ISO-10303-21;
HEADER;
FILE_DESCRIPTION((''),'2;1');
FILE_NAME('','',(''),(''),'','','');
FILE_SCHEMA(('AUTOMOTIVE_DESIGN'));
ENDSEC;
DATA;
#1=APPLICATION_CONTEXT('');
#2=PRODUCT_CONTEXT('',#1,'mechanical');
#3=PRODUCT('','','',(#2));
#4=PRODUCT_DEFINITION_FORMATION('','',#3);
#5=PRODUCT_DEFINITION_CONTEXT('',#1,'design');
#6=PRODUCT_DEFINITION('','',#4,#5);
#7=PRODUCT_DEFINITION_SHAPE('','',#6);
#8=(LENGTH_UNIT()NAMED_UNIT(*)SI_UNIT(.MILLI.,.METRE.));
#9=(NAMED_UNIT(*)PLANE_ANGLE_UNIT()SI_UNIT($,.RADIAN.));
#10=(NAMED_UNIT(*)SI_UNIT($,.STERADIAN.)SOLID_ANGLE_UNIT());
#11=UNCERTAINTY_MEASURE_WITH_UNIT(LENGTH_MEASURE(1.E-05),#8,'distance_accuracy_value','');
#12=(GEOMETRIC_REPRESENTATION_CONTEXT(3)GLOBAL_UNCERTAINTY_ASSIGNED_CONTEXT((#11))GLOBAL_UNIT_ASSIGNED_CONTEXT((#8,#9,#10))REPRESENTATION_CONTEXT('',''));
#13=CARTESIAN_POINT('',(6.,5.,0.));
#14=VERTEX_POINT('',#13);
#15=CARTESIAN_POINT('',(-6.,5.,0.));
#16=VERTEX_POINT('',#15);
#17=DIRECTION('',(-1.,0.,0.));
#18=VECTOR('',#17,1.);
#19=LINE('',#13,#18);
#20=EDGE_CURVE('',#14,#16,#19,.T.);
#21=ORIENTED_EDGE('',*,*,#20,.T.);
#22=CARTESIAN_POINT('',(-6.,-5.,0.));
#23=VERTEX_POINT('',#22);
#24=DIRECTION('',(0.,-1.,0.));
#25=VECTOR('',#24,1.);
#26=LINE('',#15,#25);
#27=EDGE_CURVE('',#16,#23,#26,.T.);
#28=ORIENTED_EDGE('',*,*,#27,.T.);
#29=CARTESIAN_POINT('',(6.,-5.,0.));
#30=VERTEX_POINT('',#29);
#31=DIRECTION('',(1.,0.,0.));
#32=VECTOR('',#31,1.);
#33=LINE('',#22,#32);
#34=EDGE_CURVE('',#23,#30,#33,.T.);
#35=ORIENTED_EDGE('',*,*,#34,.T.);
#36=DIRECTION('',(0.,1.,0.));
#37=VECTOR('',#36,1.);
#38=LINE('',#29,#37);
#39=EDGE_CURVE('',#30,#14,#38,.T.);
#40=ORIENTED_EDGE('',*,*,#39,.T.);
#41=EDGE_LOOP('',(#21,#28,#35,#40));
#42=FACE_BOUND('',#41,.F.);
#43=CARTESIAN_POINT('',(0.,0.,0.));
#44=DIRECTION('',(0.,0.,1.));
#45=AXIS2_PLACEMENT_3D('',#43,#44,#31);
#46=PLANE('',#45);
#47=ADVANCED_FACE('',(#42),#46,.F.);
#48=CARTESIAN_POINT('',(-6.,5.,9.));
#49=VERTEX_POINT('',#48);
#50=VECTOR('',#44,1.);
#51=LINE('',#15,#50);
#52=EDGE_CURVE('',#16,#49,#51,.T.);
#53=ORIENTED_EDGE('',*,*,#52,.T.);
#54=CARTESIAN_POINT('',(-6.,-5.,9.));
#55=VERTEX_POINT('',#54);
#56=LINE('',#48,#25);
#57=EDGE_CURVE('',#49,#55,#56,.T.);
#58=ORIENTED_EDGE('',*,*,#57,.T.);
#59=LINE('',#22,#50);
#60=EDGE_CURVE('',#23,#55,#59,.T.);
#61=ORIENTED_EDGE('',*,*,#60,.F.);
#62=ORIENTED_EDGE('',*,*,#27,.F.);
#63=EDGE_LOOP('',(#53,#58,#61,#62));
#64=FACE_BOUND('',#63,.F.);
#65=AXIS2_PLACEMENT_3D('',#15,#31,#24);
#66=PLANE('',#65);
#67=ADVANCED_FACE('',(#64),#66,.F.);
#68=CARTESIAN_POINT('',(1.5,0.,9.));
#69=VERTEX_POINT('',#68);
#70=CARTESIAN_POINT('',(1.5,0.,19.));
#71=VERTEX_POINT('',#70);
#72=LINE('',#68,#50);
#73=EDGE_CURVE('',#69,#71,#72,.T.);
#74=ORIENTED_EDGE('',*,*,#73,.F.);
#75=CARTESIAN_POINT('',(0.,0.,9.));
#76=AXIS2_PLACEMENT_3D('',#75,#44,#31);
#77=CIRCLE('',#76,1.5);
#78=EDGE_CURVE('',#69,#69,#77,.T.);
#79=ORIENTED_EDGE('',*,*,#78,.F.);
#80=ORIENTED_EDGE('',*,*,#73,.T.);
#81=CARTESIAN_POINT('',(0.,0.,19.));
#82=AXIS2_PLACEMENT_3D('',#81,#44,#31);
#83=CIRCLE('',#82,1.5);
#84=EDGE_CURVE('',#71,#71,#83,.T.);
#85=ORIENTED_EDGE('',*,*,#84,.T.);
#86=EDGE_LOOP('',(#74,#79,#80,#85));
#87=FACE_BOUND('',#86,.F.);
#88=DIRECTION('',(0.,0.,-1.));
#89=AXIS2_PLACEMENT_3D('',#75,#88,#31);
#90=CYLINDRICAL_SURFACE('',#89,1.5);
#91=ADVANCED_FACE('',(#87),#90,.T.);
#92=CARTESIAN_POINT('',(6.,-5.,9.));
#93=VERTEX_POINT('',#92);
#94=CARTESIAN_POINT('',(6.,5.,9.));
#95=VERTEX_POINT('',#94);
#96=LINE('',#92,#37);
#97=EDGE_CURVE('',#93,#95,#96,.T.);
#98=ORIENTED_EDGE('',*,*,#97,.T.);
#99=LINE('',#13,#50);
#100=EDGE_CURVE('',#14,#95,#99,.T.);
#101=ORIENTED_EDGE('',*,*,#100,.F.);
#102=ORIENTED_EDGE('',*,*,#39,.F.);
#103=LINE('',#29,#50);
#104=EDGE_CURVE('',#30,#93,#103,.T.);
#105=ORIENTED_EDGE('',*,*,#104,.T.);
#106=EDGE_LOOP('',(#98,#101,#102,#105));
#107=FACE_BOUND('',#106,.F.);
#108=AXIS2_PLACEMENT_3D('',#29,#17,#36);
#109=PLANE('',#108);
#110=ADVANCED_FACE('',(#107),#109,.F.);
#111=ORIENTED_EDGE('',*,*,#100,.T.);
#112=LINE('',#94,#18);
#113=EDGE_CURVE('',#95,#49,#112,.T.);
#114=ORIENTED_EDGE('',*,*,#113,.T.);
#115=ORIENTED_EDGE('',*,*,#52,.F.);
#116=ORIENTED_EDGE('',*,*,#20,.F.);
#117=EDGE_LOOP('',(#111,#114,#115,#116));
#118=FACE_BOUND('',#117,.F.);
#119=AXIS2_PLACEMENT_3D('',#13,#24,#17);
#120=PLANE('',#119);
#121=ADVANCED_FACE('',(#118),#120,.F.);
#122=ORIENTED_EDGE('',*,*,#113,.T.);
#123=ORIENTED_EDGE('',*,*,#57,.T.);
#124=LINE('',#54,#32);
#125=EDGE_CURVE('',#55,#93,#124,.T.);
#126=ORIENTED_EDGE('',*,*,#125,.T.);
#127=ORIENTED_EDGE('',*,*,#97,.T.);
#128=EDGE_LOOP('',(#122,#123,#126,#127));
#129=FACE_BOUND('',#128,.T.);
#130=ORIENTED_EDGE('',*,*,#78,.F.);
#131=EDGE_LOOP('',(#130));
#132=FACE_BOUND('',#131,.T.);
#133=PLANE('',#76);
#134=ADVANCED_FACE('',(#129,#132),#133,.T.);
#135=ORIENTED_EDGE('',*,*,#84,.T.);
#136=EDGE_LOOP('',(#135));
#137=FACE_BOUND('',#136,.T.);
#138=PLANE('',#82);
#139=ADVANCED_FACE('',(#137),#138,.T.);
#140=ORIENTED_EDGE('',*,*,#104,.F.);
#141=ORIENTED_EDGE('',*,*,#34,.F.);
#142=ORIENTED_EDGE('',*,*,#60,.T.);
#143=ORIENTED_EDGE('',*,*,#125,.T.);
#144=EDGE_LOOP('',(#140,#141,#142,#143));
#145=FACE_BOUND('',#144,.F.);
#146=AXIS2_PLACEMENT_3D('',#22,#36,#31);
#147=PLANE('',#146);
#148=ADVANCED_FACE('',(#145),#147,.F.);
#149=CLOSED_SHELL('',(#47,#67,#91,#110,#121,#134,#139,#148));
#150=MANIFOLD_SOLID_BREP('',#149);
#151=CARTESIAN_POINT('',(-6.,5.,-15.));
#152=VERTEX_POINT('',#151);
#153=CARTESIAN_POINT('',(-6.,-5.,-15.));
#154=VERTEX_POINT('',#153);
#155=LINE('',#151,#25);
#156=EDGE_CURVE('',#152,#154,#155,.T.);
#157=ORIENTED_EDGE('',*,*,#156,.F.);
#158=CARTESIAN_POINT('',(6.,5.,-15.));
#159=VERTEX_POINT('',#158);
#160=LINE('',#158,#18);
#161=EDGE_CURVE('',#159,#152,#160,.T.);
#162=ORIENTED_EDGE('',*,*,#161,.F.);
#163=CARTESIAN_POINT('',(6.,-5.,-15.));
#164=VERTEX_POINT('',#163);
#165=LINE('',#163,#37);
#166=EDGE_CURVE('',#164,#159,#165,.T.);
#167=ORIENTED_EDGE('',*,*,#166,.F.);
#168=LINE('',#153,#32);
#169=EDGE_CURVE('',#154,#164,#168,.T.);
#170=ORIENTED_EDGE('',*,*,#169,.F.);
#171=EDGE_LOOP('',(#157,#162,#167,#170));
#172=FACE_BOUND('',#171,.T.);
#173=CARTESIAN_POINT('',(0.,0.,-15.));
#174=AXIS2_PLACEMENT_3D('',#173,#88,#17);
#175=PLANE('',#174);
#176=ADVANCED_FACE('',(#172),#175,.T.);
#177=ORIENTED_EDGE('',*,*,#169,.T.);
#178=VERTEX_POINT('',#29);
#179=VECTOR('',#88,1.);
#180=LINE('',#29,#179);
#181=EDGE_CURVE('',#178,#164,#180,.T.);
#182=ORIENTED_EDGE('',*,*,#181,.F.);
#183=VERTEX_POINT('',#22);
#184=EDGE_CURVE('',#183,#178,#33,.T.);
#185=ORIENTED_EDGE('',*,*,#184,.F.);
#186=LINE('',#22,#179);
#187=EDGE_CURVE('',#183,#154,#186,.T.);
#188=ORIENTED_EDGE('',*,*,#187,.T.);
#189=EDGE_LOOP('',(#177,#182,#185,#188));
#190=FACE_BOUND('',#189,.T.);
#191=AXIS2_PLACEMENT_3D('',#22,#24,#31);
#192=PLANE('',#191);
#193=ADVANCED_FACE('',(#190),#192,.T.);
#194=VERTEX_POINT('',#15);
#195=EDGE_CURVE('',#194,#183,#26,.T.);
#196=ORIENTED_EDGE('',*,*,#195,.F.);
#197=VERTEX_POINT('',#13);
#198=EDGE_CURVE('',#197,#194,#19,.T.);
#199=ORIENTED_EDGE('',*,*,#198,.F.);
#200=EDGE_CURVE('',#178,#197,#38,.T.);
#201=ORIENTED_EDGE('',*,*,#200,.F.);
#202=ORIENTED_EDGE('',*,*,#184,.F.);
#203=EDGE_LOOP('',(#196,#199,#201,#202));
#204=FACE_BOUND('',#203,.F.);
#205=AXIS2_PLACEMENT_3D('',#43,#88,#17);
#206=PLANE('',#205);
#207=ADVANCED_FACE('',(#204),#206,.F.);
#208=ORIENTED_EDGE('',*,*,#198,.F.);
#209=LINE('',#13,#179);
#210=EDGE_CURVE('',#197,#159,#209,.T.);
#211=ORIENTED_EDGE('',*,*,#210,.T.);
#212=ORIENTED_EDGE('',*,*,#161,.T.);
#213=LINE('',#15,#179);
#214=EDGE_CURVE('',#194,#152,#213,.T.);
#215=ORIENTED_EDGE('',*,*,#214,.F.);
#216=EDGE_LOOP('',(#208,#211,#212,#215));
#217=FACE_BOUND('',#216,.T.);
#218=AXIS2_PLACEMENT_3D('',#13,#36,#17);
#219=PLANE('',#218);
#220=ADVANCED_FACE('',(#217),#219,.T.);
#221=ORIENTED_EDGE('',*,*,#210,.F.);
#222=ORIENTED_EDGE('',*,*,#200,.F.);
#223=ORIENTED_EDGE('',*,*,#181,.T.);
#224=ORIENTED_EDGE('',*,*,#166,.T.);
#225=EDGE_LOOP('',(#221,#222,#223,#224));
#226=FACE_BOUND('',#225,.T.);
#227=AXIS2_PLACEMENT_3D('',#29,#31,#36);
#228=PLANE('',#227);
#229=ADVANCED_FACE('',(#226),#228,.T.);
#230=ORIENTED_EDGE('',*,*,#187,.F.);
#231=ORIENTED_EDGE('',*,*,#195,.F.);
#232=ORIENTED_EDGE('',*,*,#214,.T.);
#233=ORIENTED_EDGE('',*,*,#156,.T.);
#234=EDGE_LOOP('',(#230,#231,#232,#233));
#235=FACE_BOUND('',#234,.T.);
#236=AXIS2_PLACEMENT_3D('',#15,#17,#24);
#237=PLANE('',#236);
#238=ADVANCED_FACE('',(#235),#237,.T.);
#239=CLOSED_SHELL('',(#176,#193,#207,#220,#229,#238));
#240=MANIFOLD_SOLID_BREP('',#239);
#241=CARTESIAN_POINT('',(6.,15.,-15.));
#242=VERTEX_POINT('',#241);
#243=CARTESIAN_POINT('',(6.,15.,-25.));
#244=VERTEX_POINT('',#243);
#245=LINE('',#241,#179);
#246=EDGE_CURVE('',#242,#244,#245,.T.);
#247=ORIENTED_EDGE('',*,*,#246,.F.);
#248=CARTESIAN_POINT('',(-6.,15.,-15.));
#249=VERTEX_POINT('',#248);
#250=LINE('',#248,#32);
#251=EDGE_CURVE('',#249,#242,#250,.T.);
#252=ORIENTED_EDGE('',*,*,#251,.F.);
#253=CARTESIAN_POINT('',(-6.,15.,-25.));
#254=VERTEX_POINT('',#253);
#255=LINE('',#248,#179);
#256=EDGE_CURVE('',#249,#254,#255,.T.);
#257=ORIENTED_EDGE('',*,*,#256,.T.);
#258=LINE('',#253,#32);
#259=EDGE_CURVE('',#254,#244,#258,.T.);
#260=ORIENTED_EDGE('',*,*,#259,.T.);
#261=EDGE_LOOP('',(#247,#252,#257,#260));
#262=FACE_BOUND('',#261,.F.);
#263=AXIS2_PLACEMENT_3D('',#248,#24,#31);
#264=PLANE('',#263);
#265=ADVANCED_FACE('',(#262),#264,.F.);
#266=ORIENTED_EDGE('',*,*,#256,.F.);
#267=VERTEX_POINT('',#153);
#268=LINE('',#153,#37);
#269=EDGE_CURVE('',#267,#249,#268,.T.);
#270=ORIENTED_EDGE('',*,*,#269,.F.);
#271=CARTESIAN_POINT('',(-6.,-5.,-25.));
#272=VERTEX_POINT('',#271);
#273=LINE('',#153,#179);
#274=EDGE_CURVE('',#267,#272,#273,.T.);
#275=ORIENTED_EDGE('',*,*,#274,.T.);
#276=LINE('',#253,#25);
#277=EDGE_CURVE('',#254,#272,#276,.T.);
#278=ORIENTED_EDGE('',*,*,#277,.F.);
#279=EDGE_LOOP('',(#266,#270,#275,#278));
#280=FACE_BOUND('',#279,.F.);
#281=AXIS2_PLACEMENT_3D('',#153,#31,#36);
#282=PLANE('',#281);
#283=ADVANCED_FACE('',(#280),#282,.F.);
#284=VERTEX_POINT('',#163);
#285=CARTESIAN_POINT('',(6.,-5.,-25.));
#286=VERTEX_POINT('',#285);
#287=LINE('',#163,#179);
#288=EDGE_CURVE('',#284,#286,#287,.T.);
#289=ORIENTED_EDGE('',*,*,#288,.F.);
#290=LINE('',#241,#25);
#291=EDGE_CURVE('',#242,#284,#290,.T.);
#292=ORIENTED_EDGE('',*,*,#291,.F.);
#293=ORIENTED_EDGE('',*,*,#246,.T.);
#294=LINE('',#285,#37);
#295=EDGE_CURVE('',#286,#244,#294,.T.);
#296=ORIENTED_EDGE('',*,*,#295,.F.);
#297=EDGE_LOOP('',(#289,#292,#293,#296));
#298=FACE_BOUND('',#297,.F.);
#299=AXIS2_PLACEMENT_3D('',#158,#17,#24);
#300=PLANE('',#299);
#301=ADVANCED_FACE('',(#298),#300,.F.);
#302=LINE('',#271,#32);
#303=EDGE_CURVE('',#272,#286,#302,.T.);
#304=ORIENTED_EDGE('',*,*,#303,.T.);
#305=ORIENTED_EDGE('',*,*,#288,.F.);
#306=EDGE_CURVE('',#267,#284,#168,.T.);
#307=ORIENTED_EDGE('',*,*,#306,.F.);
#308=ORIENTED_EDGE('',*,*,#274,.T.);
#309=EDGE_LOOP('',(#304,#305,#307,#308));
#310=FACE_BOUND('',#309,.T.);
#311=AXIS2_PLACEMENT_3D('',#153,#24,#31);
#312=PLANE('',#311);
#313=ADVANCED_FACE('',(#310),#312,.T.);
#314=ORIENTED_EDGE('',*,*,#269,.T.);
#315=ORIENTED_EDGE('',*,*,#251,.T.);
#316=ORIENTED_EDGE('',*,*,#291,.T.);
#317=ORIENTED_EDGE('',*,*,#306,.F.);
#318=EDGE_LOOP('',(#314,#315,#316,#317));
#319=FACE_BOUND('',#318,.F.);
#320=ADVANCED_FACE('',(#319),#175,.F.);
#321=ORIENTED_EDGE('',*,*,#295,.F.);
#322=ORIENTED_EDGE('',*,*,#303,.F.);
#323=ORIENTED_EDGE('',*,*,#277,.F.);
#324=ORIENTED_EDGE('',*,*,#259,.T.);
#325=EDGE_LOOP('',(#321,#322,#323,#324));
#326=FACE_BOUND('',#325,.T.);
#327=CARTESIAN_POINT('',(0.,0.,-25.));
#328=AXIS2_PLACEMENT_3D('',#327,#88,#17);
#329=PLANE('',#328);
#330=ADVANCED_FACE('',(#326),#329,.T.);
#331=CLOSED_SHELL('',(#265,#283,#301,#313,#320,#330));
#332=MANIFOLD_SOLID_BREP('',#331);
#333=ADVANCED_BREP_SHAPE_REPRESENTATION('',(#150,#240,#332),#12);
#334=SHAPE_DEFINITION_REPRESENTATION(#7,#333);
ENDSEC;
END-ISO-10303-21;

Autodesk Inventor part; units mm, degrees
ref_plane "YZ Plane" through (0, 0, 0) normal (1, 0, 0) x (0, 1, 0)
ref_plane "XZ Plane" through (0, 0, 0) normal (0, 1, 0) x (-1, 0, 0)
ref_plane "XY Plane" through (0, 0, 0) normal (0, 0, 1) x (1, 0, 0)
sketch "Sketch1" plane through (0, 0, 0) normal (0, 0, 1) x (1, 0, 0)
  line L0 (-6, -5) -> (6, -5)
  line L1 (6, -5) -> (6, 5)
  line L2 (6, 5) -> (-6, 5)
  line L3 (-6, 5) -> (-6, -5)
  line L4 (-6, -5) -> (6, 5) construction
  line L5 (6, -5) -> (-6, 5) construction
  point P0 (0, 0)
  dimension "d0" = 12
  dimension "d1" = 10
extrude "Extrusion1" add sketch "Sketch1" along normal blind 9
sketch "Sketch2" plane through (0, 0, 0) normal (0, 0, -1) x (-1, 0, 0)
  line L0 (-6, 5) -> (6, 5) projected
  line L1 (-6, -5) -> (-6, 5) projected
  line L2 (6, -5) -> (-6, -5) projected
  line L3 (6, 5) -> (6, -5) projected
  point P0 (0, 0)
extrude "Extrusion2" add sketch "Sketch2" along normal blind 15 separate body
sketch "Sketch3" plane through (0, 0, -15) normal (0, 0, -1) x (-1, 0, 0)
  line L0 (6, -5) -> (-6, -5) projected
  line L1 (-6, -5) -> (6, -5)
  line L2 (6, -5) -> (6, 15)
  line L3 (6, 15) -> (-6, 15)
  line L4 (-6, 15) -> (-6, -5)
  line L5 (6, -5) -> (6, 5) projected
  line L6 (6, 5) -> (-6, 5) projected
  point P0 (0, 0)
  dimension "d6" = 10
extrude "Extrusion3" add sketch "Sketch3" along normal blind 10 separate body
sketch "Sketch4" plane through (0, 0, 9) normal (0, 0, 1) x (1, 0, 0)
  circle A0 centre (0, 0) radius 1.5
  dimension "d9" = 3
extrude "Extrusion4" add sketch "Sketch4" along normal blind 10 bodies 1
properties part number "motor2"
